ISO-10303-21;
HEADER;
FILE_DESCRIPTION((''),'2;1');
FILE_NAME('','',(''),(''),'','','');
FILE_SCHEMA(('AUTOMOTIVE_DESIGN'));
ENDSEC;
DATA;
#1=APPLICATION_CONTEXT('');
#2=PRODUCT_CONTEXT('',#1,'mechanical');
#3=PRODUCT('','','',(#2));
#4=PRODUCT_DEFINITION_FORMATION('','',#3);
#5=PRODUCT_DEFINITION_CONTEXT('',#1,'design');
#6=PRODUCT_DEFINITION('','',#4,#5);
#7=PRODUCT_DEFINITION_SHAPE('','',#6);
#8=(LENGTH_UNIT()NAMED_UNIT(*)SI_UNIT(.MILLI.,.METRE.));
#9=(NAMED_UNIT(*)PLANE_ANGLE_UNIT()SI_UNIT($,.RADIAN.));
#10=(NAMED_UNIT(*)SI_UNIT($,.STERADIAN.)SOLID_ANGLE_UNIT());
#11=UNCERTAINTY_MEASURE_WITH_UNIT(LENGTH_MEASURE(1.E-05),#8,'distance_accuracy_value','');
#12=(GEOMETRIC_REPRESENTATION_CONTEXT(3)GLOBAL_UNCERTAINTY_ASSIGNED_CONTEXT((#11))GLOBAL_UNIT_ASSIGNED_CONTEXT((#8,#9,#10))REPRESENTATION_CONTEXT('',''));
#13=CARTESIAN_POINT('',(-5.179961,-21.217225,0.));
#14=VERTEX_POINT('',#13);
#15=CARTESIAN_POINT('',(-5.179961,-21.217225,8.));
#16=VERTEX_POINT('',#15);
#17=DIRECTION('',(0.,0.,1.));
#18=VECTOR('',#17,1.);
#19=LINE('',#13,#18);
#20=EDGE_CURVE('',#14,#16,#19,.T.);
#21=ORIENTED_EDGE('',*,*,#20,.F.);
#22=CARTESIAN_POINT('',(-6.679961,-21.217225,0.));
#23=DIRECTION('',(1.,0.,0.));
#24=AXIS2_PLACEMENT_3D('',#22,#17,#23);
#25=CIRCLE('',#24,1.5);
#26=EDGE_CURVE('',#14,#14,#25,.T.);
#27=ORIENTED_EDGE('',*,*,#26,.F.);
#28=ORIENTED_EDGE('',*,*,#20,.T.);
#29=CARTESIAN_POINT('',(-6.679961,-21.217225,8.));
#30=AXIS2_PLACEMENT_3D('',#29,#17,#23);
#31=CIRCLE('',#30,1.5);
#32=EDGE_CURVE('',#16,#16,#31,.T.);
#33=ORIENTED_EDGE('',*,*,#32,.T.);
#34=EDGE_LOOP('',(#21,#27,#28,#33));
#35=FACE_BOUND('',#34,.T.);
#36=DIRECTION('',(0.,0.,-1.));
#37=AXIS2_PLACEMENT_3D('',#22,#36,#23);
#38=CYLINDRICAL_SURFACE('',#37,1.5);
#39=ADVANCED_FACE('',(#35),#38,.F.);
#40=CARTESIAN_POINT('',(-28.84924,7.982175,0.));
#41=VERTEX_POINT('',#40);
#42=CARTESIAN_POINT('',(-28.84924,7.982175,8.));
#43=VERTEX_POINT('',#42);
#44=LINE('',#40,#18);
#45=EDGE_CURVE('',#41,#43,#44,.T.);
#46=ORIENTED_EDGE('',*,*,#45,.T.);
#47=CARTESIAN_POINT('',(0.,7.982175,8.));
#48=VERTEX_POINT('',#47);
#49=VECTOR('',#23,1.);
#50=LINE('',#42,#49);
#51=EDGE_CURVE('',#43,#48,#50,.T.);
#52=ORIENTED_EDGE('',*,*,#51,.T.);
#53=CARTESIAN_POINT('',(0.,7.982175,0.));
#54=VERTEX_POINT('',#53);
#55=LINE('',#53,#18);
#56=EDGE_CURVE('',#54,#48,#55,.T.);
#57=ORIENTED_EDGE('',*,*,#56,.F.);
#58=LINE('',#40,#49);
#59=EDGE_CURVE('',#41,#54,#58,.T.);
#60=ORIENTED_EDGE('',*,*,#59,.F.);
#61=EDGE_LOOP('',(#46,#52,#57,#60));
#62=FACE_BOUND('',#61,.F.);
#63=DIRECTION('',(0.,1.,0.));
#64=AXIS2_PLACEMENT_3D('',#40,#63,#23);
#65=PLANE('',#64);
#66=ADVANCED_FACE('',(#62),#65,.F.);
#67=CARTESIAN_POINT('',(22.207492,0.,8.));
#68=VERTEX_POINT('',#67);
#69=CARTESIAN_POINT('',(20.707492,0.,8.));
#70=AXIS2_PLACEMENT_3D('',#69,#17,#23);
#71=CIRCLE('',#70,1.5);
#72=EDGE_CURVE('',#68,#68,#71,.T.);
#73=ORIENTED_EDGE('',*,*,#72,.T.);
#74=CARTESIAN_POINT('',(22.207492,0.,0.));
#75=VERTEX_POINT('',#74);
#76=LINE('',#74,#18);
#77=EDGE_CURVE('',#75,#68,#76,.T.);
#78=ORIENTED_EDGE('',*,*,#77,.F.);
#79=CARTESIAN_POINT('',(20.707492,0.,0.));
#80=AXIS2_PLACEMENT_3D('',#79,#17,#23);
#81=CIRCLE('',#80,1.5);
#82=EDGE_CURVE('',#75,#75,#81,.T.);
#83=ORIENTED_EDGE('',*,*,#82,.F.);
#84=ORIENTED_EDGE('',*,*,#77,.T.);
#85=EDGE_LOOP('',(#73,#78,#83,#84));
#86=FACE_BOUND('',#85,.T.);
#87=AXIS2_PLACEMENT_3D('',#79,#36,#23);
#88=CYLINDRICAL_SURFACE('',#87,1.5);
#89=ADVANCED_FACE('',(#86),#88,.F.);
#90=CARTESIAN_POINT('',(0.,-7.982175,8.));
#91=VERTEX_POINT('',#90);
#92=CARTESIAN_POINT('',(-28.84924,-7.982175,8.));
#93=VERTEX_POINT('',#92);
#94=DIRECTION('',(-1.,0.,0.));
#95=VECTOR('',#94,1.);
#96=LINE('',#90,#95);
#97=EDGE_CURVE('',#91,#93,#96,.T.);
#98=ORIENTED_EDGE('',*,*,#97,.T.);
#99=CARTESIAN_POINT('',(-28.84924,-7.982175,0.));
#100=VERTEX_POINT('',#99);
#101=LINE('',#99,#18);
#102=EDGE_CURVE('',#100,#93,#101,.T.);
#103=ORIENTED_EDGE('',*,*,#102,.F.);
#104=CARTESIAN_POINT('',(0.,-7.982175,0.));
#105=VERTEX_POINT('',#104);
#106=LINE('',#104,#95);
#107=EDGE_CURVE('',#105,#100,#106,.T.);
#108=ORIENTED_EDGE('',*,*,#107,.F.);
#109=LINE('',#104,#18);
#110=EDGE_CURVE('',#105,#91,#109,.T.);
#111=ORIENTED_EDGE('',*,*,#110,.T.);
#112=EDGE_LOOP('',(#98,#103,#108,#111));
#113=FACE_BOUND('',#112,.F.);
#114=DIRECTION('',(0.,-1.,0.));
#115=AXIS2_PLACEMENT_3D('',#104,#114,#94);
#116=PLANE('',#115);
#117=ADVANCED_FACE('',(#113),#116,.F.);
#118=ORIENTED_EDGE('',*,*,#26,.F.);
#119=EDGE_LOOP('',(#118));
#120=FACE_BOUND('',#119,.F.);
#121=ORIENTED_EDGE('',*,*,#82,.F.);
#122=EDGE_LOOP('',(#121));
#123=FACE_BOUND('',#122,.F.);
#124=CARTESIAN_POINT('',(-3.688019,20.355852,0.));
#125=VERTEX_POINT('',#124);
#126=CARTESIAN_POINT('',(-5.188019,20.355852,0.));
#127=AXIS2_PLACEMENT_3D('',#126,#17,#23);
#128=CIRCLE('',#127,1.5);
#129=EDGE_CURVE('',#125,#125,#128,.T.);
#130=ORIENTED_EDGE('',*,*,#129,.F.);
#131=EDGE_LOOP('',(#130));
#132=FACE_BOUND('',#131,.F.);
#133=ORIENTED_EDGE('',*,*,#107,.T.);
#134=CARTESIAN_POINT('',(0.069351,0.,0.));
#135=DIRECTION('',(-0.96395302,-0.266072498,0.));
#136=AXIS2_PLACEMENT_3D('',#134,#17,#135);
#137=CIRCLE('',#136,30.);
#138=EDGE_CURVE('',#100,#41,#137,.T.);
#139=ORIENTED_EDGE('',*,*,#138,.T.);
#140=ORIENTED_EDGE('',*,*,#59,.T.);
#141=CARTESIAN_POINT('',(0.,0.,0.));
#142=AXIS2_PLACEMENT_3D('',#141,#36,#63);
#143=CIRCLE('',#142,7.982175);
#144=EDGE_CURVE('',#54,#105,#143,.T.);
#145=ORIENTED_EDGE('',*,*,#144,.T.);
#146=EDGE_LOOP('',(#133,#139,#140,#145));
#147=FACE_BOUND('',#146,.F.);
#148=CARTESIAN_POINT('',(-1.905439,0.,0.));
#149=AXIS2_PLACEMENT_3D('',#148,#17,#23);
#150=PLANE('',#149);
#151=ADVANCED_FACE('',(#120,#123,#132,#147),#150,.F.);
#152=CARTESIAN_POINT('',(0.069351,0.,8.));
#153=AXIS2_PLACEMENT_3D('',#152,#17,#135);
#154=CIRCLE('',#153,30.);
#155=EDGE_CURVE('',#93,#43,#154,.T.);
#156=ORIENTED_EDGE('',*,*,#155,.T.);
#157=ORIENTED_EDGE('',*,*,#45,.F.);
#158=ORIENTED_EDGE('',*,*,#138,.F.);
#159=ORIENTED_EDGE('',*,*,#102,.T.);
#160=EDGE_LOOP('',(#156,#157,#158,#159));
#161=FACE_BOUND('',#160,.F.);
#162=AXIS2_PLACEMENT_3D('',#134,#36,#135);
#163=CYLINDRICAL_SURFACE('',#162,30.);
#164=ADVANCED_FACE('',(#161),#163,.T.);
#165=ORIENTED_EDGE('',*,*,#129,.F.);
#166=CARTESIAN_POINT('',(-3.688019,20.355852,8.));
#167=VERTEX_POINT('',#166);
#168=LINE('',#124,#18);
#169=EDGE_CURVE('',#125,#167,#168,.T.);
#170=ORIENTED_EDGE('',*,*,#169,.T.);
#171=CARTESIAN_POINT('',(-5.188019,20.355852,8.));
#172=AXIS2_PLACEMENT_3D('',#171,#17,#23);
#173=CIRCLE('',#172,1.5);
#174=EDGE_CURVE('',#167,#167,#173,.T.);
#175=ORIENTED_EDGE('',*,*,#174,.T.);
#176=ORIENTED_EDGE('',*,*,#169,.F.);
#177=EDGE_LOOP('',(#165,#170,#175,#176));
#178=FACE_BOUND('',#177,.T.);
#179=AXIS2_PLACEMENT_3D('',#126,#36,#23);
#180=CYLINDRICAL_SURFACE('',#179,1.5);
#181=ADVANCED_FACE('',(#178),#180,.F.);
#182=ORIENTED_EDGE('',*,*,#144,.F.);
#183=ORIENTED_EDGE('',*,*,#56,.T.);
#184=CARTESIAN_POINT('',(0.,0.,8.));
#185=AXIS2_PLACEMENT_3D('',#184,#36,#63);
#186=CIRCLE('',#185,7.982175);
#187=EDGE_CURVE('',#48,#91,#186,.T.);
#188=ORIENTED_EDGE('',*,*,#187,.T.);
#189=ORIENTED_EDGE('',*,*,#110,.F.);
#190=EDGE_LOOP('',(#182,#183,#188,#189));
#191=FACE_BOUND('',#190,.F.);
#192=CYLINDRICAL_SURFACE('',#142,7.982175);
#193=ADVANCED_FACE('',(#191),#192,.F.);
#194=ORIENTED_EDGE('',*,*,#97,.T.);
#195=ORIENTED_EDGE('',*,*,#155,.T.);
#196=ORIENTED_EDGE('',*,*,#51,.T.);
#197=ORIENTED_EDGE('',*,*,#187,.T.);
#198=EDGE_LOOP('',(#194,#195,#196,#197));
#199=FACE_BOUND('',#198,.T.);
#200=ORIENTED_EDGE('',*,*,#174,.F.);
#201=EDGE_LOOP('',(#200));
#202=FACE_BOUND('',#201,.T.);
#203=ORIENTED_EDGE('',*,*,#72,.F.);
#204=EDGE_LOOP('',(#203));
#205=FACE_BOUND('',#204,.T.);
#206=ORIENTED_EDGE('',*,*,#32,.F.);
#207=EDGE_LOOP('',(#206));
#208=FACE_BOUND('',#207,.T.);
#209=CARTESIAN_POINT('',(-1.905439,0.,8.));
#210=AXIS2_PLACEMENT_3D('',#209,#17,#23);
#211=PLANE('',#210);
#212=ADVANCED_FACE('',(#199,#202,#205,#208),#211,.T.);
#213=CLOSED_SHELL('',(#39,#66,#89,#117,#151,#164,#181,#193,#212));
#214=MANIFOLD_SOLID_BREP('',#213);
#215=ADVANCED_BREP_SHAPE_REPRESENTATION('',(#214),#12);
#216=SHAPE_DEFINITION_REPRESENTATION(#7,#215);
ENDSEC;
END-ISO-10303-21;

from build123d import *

# Parameters (mm, degrees)
F0_R     = 1.5
F1_DEPTH = 8


with BuildPart() as f1:
    # F0 (on Top) → F1 (new body)
    with BuildSketch(Plane.XY):
        with BuildLine():
            ThreePointArc((0, 7.982175), (7.982175, 0), (0, -7.982175))
            Line((0, -7.982175), (-28.84924, -7.982175))
            ThreePointArc((-28.84924, -7.982175), (30.069351, 0), (-28.84924, 7.982175))
            Line((-28.84924, 7.982175), (0, 7.982175))
        make_face()
        with Locations((-6.679961, -21.217225)):
            Circle(F0_R, mode=Mode.SUBTRACT)
        with Locations((-5.188019, 20.355852)):
            Circle(F0_R, mode=Mode.SUBTRACT)
        with Locations((20.707492, 0)):
            Circle(F0_R, mode=Mode.SUBTRACT)
    extrude(amount=F1_DEPTH)


solid = f1.part
